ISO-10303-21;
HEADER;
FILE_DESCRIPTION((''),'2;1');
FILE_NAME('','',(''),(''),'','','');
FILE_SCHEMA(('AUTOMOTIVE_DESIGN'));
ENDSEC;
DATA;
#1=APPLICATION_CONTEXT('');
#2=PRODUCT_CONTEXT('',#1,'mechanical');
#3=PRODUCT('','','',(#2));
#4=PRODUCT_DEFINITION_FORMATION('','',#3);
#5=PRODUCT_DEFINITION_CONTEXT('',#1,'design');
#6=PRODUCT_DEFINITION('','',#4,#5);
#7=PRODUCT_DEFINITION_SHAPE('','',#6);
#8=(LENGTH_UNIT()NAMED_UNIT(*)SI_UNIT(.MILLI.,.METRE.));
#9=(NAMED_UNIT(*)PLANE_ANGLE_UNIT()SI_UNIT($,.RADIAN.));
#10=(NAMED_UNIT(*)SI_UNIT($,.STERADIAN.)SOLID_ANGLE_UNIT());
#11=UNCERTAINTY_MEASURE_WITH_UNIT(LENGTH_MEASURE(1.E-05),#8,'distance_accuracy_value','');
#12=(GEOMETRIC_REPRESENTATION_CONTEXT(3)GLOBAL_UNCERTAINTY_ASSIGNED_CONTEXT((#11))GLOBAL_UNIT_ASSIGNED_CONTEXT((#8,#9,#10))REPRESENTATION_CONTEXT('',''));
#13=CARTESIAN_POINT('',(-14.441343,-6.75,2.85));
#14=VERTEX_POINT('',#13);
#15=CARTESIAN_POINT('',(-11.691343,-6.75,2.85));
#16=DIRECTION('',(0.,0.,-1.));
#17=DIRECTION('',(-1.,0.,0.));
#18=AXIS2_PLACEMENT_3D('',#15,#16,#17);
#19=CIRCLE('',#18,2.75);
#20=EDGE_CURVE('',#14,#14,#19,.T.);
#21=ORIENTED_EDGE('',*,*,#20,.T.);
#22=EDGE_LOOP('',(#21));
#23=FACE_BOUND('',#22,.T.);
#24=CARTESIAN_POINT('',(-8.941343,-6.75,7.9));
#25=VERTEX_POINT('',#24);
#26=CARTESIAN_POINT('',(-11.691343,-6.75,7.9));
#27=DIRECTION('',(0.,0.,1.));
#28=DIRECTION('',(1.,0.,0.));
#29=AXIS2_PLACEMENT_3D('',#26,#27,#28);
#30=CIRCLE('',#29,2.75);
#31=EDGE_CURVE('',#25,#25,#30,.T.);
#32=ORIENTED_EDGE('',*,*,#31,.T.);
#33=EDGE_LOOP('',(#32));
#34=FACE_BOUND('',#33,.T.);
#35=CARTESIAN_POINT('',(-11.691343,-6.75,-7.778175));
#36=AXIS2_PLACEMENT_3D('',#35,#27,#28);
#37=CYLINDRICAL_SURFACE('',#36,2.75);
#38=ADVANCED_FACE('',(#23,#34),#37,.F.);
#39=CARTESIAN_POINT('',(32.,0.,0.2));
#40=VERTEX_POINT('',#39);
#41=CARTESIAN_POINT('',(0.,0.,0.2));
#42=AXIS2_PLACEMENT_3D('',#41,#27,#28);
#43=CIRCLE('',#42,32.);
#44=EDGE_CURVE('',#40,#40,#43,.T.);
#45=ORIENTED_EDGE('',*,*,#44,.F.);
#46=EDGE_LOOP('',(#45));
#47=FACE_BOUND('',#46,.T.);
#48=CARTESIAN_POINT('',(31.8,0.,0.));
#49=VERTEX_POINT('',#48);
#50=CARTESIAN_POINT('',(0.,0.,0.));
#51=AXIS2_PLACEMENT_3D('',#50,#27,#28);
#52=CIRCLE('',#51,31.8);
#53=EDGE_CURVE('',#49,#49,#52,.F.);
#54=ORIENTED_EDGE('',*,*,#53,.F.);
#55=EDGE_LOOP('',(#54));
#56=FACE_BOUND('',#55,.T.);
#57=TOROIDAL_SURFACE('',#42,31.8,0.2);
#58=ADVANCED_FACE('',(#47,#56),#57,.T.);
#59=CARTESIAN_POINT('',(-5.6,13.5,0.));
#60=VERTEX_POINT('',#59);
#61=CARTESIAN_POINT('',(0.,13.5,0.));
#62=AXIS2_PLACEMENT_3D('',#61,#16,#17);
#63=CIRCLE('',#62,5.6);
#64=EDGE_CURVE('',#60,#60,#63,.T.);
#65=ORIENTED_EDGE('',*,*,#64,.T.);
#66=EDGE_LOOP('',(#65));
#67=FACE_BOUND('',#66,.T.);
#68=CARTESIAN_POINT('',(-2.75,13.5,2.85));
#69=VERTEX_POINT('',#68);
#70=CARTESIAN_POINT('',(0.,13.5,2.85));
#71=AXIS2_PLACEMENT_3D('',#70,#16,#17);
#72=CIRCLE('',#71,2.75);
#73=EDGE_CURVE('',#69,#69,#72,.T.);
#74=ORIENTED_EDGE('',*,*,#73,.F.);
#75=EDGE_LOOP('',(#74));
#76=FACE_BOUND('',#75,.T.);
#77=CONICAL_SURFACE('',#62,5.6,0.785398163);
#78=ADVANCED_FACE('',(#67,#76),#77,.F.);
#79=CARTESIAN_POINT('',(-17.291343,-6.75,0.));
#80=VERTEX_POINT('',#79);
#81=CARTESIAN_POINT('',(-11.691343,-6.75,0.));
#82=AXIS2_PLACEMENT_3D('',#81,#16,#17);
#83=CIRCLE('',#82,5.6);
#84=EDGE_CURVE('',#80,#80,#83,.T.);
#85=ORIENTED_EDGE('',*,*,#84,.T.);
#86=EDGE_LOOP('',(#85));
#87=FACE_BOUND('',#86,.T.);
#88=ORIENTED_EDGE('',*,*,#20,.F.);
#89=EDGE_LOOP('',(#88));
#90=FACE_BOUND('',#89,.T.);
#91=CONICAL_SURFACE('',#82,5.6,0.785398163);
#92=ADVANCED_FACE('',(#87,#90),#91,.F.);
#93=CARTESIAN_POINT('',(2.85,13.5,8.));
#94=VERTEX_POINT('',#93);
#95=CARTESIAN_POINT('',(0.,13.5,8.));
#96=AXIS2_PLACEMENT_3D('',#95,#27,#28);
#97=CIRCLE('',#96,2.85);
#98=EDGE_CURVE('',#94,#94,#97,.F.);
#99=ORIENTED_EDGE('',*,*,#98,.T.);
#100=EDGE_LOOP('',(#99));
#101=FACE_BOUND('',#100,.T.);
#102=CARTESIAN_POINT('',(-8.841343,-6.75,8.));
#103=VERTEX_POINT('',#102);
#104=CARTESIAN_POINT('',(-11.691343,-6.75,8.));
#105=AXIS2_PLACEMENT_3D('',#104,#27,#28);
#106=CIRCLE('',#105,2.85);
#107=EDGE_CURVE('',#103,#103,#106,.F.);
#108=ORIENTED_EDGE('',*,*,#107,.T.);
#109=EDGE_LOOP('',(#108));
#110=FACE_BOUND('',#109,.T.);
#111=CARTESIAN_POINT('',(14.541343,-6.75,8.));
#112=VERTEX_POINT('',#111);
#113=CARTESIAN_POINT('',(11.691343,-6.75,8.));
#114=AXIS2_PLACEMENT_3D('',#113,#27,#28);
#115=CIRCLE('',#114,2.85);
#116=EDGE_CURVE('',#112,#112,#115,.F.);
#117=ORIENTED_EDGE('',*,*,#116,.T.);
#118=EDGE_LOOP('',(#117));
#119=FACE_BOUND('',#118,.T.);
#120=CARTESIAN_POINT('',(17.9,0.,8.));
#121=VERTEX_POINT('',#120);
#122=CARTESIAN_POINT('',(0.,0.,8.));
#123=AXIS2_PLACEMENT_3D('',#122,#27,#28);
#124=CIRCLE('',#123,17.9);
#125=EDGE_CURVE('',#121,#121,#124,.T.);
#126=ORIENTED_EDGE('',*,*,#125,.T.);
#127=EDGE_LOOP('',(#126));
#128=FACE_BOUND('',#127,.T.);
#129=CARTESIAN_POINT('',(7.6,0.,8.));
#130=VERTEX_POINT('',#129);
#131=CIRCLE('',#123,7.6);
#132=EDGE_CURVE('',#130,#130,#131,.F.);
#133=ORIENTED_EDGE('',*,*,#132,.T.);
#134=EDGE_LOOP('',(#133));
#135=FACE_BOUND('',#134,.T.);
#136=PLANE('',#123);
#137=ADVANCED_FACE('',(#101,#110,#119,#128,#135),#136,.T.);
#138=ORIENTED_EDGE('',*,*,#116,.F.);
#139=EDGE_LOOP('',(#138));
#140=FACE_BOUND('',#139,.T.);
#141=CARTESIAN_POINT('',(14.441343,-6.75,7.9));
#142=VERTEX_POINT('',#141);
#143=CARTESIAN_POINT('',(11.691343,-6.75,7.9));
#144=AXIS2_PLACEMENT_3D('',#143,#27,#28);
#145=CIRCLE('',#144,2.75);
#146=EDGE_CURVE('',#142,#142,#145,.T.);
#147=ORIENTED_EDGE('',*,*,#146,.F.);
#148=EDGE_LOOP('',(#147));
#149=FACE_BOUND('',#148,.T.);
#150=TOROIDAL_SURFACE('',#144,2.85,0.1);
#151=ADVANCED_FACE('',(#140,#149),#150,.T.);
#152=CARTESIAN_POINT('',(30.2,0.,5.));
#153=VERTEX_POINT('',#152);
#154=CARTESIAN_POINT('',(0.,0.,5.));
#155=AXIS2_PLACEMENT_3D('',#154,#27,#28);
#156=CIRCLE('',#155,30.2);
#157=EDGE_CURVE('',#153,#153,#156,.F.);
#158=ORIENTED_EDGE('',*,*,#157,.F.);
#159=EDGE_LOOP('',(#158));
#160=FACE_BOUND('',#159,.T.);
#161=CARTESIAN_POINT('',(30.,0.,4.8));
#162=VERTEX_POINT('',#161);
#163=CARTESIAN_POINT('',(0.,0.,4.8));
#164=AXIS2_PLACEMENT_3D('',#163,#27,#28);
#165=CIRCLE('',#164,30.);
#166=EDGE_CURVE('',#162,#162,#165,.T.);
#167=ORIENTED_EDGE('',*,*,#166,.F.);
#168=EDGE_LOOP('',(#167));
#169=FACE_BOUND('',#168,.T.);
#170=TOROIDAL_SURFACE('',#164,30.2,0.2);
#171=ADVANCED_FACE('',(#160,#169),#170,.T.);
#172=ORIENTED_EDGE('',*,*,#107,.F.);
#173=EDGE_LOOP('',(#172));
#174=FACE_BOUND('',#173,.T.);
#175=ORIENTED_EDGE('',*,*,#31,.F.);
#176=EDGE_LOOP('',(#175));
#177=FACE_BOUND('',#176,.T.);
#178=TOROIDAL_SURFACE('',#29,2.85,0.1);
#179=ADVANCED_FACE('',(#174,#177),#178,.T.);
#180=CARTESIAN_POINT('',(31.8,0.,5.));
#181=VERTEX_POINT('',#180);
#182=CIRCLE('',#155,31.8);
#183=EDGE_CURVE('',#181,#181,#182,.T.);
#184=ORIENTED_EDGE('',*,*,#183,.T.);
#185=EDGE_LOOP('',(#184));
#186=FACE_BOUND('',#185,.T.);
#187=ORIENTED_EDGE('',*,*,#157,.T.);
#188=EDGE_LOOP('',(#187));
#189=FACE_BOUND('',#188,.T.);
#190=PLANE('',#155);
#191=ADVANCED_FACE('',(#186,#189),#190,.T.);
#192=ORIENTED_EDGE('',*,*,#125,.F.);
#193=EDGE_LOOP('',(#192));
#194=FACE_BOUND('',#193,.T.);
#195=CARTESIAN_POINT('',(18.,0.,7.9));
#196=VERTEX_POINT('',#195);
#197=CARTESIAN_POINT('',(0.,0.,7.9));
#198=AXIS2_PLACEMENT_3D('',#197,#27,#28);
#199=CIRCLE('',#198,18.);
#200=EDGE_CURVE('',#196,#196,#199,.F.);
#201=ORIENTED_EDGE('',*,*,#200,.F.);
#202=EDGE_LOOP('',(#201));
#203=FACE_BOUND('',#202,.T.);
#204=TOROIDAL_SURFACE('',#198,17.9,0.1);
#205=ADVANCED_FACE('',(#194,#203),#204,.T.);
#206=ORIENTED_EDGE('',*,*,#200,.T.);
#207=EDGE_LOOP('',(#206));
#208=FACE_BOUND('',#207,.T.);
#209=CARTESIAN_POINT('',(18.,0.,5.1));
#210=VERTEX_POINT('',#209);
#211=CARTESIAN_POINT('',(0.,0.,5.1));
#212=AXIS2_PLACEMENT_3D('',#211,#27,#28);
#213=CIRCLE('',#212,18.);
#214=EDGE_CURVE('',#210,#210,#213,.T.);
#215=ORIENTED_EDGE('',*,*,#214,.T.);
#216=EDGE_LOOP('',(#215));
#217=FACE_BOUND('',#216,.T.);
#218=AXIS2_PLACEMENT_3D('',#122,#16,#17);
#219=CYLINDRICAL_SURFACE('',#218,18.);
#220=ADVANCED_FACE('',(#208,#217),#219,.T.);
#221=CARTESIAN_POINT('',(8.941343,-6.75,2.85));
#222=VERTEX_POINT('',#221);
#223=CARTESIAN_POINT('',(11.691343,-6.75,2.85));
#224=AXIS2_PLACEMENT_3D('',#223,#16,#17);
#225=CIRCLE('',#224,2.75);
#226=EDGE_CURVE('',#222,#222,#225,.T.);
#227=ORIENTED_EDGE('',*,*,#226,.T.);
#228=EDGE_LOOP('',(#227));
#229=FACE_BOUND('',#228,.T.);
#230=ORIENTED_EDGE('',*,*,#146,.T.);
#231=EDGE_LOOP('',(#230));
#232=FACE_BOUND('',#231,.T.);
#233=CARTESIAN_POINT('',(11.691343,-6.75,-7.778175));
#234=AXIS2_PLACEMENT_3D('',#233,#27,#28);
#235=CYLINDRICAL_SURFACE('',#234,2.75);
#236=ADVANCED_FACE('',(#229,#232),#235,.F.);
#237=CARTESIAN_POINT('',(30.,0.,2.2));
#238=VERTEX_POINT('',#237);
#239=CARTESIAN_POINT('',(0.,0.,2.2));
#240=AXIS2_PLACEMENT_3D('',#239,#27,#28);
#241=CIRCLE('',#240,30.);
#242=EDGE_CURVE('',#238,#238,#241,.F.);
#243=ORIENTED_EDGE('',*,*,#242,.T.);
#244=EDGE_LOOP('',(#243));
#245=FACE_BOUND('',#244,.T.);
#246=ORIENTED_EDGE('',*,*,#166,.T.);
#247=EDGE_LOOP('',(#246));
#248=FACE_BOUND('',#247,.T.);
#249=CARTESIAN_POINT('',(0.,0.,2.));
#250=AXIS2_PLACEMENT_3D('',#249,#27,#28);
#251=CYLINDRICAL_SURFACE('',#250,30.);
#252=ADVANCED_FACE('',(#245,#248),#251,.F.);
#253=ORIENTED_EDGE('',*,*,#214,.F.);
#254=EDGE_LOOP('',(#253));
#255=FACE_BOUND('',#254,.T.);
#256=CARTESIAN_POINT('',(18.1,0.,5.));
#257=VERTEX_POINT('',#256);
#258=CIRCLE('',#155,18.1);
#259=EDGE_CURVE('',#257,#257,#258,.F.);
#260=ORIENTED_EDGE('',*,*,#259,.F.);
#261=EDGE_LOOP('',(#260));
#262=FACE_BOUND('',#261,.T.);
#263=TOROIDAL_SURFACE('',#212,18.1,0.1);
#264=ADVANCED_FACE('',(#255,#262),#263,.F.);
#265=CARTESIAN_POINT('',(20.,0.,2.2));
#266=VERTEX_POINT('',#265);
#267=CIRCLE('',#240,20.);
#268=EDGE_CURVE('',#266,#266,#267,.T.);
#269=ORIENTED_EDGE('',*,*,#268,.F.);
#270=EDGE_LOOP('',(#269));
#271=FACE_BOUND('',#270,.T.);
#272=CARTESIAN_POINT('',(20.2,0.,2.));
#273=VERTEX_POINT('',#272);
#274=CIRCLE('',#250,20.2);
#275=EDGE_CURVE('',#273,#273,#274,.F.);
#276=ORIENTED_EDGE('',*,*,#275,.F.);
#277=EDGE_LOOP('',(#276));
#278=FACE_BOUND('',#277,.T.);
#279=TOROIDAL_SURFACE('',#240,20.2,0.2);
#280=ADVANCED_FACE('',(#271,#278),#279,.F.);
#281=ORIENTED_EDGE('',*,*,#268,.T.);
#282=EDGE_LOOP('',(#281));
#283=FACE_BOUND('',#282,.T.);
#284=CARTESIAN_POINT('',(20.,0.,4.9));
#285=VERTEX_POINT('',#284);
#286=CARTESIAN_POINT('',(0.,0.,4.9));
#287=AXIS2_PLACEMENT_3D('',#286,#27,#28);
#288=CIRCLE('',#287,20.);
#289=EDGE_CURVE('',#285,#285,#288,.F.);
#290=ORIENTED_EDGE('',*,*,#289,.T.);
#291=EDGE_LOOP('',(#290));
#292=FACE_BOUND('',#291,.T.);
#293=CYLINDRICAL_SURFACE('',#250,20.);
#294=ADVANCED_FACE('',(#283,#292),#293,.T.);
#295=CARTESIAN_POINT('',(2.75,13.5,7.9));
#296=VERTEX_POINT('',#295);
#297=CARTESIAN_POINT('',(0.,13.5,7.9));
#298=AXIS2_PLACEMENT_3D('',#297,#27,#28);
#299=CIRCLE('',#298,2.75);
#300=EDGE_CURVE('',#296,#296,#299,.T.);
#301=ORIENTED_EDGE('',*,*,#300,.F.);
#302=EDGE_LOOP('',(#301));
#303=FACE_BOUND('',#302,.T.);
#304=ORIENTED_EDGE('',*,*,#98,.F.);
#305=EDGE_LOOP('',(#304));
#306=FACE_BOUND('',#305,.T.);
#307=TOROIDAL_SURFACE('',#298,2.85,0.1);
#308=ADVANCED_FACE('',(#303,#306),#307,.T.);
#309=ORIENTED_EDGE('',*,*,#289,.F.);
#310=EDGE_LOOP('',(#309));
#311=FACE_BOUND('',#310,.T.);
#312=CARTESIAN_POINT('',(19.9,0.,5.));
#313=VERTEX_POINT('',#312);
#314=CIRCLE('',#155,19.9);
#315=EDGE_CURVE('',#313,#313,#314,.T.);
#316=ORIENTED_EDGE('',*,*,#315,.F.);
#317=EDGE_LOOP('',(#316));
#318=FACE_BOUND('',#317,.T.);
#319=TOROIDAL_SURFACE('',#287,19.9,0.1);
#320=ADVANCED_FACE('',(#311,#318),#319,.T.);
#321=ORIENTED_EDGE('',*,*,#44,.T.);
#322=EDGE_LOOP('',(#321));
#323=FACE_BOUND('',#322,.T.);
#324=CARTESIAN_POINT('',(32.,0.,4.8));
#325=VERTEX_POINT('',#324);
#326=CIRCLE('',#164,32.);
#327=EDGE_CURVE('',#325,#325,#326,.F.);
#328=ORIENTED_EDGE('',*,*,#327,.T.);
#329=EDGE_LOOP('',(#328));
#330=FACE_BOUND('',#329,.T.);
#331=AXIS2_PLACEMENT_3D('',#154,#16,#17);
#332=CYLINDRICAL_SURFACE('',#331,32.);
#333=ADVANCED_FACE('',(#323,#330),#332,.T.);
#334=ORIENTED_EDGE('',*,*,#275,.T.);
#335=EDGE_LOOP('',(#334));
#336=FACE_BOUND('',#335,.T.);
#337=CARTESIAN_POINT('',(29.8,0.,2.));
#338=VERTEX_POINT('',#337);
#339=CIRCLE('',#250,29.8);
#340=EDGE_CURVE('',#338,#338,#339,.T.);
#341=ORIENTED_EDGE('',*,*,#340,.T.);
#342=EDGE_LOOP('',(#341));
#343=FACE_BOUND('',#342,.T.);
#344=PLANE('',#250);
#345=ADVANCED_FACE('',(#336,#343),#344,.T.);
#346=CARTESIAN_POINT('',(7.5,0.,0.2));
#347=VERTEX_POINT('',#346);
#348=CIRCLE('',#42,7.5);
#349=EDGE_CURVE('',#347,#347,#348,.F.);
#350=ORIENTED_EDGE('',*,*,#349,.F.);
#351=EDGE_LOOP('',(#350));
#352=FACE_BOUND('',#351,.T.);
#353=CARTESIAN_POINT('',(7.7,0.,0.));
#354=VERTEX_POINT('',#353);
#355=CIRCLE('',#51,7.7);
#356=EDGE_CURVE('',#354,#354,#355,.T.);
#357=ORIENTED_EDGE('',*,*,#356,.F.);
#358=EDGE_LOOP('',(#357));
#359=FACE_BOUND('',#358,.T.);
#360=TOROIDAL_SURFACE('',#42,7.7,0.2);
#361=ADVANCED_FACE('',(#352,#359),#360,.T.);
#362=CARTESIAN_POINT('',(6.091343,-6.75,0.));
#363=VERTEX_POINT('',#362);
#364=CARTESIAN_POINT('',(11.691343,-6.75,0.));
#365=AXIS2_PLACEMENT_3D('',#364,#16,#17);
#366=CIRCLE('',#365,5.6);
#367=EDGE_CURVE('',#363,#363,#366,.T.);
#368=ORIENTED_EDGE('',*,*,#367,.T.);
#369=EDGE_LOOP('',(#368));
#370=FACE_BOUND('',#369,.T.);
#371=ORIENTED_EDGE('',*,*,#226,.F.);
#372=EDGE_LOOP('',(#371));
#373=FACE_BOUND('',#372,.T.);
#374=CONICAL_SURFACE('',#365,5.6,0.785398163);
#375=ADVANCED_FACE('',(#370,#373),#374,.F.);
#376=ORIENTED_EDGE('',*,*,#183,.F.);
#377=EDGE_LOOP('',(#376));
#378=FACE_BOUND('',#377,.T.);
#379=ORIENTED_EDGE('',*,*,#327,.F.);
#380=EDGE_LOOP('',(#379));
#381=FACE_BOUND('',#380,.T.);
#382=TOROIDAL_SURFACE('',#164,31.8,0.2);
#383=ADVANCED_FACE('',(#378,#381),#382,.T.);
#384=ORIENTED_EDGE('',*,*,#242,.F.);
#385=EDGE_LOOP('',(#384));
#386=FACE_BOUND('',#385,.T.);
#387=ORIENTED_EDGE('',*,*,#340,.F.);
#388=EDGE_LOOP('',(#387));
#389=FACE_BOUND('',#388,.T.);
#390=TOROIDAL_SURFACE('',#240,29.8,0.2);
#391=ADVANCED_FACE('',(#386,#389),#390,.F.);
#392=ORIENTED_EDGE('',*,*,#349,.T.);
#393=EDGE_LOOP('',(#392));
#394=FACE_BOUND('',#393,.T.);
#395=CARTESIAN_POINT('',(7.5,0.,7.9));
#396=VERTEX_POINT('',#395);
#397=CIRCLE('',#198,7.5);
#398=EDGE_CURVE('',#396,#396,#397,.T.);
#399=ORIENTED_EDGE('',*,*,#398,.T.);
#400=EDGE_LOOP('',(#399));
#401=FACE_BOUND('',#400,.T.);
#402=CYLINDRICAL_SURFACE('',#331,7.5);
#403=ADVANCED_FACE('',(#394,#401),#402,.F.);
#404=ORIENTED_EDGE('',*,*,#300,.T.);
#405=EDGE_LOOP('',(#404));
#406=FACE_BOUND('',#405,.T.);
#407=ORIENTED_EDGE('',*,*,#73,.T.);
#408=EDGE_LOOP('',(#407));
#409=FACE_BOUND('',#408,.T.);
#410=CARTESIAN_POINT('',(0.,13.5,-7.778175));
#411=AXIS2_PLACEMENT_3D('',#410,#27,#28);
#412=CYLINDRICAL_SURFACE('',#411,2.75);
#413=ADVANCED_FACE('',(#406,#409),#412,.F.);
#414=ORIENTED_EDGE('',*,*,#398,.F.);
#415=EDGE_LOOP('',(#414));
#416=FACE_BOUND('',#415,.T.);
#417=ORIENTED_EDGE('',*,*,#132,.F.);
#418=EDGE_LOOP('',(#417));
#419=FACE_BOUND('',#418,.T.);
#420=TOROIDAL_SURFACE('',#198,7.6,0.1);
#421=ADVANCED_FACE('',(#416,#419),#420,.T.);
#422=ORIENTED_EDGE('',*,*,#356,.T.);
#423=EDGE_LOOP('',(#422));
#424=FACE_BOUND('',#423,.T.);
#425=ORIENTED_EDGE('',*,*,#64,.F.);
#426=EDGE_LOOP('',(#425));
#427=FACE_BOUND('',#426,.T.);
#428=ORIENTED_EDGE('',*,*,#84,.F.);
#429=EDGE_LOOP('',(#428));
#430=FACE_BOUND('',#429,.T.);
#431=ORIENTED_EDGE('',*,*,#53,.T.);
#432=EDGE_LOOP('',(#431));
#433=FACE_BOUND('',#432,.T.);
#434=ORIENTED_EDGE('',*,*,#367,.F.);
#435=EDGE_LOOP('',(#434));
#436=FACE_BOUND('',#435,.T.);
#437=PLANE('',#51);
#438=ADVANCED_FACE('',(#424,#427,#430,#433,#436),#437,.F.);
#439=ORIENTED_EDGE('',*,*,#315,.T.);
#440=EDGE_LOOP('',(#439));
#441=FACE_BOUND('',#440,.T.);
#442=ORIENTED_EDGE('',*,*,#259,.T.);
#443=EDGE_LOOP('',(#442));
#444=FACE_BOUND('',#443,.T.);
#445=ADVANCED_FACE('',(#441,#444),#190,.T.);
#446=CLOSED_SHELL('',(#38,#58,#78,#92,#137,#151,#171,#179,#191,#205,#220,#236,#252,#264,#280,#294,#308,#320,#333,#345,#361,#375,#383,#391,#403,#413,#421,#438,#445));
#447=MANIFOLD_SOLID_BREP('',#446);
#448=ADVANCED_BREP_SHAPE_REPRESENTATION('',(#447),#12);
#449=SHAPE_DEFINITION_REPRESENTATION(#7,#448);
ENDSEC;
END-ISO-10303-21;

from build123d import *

# Parameters (mm, degrees)
CROQUIS1_R                                           = 32
CROQUIS1_R_2                                         = 7.5
SALIENTE_EXTRUIR1_DEPTH                              = 5
CROQUIS2_R                                           = 30
CROQUIS2_R_2                                         = 20
CORTAR_EXTRUIR1_DEPTH                                = 3
REDONDEO1_R                                          = 0.2
CROQUIS14_R                                          = 18
CROQUIS14_R_2                                        = 7.5
SALIENTE_EXTRUIR4_DEPTH                              = 3
CROQUIS18_R                                          = 2.75
CORTAR_EXTRUIR6_DEPTH                                = 8
REFRENTADO_PARA_TORNILLO_TAP_N_CON_CABEZ_D           = 5.5
REFRENTADO_PARA_TORNILLO_TAP_N_CON_CABEZ_CSINK_D     = 11.2
REFRENTADO_PARA_TORNILLO_TAP_N_CON_CABEZ_CSINK_ANGLE = 90
REDONDEO3_R                                          = 0.1


with BuildPart() as part:
    # Croquis1 → Saliente-Extruir1 (new body)
    with BuildSketch(Plane.XY):
        Circle(CROQUIS1_R)
        Circle(CROQUIS1_R_2, mode=Mode.SUBTRACT)
    extrude(amount=SALIENTE_EXTRUIR1_DEPTH)

    # Croquis2 → Cortar-Extruir1 (cut)
    with BuildSketch(Plane.XY.offset(5)):
        Circle(CROQUIS2_R)
        Circle(CROQUIS2_R_2, mode=Mode.SUBTRACT)
    extrude(amount=-CORTAR_EXTRUIR1_DEPTH, mode=Mode.SUBTRACT)

    # Redondeo1
    redondeo1_edges = [part.edges().sort_by_distance(p)[0] for p in [
        (-30, 0, 2),
        (-20, 0, 2),
        (-30, 0, 5),
        (-32, 0, 0),
        (-32, 0, 5),
        (-7.5, 0, 0),
    ]]
    fillet(redondeo1_edges, radius=REDONDEO1_R)

    # Croquis14 → Saliente-Extruir4 (add)
    with BuildSketch(Plane.XY.offset(5)):
        Circle(CROQUIS14_R)
        Circle(CROQUIS14_R_2, mode=Mode.SUBTRACT)
    extrude(amount=SALIENTE_EXTRUIR4_DEPTH)

    # Croquis18 → Cortar-Extruir6 (cut)
    with BuildSketch(Plane.XY.offset(8)):
        with Locations((0, 13.5)):
            Circle(CROQUIS18_R)
        with Locations((11.691342951, -6.75)):
            Circle(CROQUIS18_R)
        with Locations((-11.691342951, -6.75)):
            Circle(CROQUIS18_R)
    extrude(amount=-CORTAR_EXTRUIR6_DEPTH, mode=Mode.SUBTRACT)

    # Refrentado para tornillo tapón con cabeza plana de clavija de M54 (through all)
    with Locations(Plane(origin=(11.691342951, -6.75, 0), x_dir=(-1, 0, 0), z_dir=(0, 0, -1))):
        with Locations((0, 0), (23.382685902, 0), (11.691342951, 20.25)):
            CounterSinkHole(REFRENTADO_PARA_TORNILLO_TAP_N_CON_CABEZ_D / 2, REFRENTADO_PARA_TORNILLO_TAP_N_CON_CABEZ_CSINK_D / 2, counter_sink_angle=REFRENTADO_PARA_TORNILLO_TAP_N_CON_CABEZ_CSINK_ANGLE)

    # Redondeo3
    redondeo3_edges = [part.edges().sort_by_distance(p)[0] for p in [
        (-20, 0, 5),
        (-18, 0, 8),
        (-18, 0, 5),
        (-7.5, 0, 8),
        (-2.75, 13.5, 8),
        (-14.441342951, -6.75, 8),
        (8.941342951, -6.75, 8),
    ]]
    fillet(redondeo3_edges, radius=REDONDEO3_R)


solid = part.part
